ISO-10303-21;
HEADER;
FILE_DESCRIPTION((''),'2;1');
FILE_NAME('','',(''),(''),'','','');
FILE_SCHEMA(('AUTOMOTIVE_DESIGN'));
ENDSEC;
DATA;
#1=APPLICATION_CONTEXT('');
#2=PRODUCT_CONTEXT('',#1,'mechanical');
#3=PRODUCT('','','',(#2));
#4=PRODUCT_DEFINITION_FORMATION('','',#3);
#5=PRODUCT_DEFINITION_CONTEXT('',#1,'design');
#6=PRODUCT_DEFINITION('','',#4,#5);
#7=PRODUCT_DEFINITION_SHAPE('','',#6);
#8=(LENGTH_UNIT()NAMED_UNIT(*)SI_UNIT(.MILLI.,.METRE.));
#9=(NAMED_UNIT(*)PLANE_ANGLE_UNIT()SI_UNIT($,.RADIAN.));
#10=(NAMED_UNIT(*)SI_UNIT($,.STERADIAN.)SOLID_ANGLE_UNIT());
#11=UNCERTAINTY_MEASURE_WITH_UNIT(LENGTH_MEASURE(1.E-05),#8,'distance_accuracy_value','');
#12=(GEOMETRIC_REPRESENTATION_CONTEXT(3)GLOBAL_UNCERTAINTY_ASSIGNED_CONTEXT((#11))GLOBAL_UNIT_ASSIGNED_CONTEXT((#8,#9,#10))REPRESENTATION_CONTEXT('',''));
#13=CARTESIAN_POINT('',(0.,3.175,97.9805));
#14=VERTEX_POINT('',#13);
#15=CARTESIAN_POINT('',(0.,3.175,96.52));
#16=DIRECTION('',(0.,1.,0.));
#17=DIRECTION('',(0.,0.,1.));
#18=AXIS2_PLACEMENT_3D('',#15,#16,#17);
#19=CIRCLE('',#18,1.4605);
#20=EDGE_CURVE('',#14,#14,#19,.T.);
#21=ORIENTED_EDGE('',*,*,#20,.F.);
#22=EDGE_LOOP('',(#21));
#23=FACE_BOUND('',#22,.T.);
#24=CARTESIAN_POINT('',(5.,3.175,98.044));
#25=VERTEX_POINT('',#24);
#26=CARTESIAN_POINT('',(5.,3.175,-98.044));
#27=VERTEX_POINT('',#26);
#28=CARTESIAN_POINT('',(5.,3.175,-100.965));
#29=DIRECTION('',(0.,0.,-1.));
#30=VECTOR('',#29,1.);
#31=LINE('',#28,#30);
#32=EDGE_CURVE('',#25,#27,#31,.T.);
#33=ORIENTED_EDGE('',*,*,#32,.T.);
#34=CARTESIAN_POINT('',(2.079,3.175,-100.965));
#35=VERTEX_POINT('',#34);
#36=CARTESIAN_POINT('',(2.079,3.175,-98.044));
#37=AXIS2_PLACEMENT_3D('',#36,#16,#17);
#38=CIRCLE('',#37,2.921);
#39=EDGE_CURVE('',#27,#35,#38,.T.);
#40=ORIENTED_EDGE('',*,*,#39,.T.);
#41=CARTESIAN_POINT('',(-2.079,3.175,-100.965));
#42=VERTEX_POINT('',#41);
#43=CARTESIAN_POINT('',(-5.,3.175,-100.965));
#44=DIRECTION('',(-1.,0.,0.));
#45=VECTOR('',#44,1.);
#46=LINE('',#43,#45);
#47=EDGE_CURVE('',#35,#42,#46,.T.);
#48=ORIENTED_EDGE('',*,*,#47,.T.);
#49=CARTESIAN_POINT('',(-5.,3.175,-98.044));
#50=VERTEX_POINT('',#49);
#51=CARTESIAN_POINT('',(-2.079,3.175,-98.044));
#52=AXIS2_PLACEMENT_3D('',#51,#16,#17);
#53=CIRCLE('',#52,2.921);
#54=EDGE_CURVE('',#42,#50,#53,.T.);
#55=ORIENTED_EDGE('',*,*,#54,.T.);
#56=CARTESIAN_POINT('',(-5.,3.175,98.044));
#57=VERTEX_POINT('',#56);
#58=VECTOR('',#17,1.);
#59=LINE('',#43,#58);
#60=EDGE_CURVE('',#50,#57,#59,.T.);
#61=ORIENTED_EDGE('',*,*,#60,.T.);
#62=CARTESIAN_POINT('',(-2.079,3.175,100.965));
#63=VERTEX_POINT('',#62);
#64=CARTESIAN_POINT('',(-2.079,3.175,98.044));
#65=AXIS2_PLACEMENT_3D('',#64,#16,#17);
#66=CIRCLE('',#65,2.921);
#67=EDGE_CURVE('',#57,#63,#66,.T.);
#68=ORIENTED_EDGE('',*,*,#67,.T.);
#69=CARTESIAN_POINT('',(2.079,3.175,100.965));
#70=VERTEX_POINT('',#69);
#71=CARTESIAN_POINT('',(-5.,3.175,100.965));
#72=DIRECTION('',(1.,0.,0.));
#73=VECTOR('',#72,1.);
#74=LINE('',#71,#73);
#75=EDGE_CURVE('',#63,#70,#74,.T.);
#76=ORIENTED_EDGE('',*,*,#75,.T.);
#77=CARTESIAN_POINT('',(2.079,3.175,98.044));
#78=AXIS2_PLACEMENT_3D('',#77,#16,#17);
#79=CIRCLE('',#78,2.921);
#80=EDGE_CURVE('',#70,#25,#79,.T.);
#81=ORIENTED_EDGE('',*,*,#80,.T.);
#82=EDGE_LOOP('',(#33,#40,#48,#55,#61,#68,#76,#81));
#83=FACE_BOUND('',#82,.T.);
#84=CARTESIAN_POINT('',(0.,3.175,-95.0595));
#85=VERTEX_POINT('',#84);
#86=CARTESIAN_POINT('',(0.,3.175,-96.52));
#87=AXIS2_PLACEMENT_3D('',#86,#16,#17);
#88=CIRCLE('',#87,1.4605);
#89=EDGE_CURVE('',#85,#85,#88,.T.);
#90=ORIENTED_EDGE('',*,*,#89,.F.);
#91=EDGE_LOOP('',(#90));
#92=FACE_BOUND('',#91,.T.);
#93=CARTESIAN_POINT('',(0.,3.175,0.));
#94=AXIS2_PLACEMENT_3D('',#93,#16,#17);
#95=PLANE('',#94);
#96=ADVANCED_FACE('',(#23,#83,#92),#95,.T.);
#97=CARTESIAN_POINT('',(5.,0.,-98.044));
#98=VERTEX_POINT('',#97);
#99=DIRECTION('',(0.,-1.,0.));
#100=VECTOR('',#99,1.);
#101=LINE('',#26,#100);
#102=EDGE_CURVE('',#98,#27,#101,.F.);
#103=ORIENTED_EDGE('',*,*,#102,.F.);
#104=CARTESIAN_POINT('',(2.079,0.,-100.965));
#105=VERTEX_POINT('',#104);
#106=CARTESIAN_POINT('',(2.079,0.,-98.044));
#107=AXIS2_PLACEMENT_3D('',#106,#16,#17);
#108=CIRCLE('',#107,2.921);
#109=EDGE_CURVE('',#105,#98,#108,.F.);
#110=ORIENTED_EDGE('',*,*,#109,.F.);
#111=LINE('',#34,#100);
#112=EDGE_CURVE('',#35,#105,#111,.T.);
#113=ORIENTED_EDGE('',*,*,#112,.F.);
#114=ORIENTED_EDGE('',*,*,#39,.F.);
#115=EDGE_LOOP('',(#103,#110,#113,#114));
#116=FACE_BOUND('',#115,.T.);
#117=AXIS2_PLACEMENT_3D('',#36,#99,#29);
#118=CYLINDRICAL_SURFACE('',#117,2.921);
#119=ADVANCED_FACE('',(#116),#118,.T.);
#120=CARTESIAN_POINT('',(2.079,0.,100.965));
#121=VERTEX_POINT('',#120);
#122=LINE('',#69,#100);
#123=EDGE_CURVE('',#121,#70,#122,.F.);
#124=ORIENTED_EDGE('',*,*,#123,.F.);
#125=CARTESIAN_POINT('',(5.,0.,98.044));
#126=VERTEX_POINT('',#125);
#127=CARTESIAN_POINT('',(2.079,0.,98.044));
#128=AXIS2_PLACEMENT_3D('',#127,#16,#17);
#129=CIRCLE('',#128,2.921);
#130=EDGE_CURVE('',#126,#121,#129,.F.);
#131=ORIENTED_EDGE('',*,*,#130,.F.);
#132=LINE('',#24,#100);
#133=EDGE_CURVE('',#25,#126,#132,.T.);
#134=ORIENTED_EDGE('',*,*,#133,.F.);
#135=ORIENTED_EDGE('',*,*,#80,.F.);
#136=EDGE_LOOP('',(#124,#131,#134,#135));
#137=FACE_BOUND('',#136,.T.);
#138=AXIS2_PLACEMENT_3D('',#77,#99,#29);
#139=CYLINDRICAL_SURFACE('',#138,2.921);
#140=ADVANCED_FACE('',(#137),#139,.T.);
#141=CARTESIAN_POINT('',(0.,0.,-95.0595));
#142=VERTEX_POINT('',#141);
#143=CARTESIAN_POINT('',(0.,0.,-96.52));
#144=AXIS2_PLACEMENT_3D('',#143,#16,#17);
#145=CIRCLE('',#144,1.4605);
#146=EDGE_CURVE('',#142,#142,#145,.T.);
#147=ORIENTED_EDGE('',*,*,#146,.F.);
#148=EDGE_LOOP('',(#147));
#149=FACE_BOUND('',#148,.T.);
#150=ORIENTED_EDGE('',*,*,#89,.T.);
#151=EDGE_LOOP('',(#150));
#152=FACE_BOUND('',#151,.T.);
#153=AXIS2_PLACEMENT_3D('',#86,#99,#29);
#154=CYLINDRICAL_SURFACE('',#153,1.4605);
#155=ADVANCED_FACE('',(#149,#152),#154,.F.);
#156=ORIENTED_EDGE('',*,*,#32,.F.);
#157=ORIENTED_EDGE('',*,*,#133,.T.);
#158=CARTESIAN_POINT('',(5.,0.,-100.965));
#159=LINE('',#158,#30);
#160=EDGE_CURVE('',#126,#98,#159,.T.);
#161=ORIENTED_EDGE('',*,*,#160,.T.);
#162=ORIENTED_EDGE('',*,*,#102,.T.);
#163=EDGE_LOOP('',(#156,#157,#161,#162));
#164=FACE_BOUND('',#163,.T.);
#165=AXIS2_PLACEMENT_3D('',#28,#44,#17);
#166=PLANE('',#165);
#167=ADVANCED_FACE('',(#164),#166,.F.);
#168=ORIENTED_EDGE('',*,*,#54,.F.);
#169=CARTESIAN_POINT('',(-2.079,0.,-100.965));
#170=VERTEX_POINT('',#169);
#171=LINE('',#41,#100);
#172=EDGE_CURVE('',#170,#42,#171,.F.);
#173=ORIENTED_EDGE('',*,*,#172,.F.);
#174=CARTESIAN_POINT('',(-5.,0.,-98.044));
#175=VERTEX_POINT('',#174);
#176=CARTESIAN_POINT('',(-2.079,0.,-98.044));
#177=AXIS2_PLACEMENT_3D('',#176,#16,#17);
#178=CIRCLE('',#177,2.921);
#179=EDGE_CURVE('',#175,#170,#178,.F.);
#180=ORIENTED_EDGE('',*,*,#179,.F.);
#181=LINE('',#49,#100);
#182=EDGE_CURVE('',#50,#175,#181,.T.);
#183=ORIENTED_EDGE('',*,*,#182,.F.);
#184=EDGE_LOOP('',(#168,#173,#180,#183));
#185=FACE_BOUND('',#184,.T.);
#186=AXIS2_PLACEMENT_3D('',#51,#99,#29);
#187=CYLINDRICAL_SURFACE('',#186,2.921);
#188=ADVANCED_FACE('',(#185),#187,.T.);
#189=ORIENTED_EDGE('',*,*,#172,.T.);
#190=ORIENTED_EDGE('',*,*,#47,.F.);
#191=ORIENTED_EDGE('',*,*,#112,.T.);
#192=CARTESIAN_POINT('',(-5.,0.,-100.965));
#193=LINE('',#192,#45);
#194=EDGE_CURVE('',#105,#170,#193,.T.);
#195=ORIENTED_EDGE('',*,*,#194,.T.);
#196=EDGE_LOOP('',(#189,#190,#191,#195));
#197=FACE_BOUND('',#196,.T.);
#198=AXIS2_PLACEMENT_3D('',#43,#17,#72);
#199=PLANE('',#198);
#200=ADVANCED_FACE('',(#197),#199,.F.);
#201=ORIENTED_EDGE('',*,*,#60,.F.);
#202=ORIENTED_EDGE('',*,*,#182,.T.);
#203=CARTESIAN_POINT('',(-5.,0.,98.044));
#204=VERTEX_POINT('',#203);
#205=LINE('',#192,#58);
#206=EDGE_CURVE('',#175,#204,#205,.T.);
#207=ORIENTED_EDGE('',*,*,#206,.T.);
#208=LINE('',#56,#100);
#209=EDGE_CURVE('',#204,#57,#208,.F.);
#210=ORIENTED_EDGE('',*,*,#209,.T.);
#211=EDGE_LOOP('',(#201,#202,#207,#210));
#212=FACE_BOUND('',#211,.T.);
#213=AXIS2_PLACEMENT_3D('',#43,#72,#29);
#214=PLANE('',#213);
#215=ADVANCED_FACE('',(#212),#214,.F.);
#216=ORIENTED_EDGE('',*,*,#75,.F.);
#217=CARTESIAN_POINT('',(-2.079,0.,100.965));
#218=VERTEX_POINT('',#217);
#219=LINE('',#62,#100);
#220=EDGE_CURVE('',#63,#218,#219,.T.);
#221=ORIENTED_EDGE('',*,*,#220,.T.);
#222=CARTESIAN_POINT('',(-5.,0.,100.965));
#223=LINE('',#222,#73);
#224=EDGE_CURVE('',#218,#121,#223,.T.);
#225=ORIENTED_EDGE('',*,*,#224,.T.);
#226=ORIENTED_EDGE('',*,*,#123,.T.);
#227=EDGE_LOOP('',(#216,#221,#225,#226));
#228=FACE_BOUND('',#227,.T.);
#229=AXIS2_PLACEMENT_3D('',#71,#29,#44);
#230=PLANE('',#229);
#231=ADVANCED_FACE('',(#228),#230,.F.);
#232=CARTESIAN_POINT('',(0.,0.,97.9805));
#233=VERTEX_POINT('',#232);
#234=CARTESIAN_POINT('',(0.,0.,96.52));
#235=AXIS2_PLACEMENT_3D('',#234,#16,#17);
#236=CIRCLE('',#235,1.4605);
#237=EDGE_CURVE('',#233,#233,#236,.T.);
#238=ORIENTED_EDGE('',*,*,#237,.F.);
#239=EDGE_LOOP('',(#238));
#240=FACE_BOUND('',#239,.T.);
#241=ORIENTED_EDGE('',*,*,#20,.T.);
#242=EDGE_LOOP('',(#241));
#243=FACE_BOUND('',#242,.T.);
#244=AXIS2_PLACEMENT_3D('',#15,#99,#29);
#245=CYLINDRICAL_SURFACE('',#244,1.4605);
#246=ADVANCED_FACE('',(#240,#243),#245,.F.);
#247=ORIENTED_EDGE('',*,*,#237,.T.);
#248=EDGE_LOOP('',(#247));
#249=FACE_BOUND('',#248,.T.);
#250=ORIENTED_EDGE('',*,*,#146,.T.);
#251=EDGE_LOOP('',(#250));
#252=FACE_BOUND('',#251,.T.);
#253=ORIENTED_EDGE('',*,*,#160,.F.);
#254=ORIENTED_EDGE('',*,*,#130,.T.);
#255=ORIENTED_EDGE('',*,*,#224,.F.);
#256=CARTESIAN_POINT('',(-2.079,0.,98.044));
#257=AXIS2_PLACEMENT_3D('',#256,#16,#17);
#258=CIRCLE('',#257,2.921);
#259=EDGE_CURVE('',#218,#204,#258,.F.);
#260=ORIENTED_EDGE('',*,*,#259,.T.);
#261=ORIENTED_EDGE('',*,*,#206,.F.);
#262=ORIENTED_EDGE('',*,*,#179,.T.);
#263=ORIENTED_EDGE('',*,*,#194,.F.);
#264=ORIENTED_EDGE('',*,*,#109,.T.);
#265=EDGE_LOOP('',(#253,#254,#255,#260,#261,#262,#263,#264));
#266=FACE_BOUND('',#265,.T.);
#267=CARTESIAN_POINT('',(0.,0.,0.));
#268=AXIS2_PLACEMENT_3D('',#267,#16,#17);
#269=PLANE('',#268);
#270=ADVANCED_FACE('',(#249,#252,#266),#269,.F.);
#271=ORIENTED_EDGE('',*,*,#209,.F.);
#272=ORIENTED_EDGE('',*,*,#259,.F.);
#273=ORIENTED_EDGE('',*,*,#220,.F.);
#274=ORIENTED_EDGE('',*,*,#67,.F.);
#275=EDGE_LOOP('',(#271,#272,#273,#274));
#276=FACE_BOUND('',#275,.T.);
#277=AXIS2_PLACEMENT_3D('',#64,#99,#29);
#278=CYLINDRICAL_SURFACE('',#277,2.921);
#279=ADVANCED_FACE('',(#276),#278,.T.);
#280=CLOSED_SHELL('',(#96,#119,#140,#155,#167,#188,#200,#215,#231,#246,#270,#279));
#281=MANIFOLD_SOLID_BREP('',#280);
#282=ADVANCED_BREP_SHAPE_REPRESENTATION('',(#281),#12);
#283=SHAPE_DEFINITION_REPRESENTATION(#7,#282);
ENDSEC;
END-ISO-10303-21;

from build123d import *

# Parameters (mm, degrees)
SKETCH1_W           = 10
SKETCH1_H           = 201.93
SKETCH1_R           = 1.4605
BOSS_EXTRUDE1_DEPTH = 3.175
FILLET1_R           = 2.921


with BuildPart() as part:
    # Sketch1 → Boss-Extrude1 (new body)
    with BuildSketch(Plane(origin=(0, 0, 0), x_dir=(1, 0, 0), z_dir=(0, 1, 0))):
        Rectangle(SKETCH1_W, SKETCH1_H)
        with Locations(Location((0, 96.52, 0), (0, 0, 270))):
            Circle(SKETCH1_R, mode=Mode.SUBTRACT)
        with Locations(Location((0, -96.52, 0), (0, 0, 270))):
            Circle(SKETCH1_R, mode=Mode.SUBTRACT)
    extrude(amount=BOSS_EXTRUDE1_DEPTH)

    # Fillet1
    fillet1_edges = [part.edges().sort_by_distance(p)[0] for p in [
        (5, 1.5875, 100.965),
        (-5, 1.5875, 100.965),
        (-5, 1.5875, -100.965),
        (5, 1.5875, -100.965),
    ]]
    fillet(fillet1_edges, radius=FILLET1_R)


solid = part.part
